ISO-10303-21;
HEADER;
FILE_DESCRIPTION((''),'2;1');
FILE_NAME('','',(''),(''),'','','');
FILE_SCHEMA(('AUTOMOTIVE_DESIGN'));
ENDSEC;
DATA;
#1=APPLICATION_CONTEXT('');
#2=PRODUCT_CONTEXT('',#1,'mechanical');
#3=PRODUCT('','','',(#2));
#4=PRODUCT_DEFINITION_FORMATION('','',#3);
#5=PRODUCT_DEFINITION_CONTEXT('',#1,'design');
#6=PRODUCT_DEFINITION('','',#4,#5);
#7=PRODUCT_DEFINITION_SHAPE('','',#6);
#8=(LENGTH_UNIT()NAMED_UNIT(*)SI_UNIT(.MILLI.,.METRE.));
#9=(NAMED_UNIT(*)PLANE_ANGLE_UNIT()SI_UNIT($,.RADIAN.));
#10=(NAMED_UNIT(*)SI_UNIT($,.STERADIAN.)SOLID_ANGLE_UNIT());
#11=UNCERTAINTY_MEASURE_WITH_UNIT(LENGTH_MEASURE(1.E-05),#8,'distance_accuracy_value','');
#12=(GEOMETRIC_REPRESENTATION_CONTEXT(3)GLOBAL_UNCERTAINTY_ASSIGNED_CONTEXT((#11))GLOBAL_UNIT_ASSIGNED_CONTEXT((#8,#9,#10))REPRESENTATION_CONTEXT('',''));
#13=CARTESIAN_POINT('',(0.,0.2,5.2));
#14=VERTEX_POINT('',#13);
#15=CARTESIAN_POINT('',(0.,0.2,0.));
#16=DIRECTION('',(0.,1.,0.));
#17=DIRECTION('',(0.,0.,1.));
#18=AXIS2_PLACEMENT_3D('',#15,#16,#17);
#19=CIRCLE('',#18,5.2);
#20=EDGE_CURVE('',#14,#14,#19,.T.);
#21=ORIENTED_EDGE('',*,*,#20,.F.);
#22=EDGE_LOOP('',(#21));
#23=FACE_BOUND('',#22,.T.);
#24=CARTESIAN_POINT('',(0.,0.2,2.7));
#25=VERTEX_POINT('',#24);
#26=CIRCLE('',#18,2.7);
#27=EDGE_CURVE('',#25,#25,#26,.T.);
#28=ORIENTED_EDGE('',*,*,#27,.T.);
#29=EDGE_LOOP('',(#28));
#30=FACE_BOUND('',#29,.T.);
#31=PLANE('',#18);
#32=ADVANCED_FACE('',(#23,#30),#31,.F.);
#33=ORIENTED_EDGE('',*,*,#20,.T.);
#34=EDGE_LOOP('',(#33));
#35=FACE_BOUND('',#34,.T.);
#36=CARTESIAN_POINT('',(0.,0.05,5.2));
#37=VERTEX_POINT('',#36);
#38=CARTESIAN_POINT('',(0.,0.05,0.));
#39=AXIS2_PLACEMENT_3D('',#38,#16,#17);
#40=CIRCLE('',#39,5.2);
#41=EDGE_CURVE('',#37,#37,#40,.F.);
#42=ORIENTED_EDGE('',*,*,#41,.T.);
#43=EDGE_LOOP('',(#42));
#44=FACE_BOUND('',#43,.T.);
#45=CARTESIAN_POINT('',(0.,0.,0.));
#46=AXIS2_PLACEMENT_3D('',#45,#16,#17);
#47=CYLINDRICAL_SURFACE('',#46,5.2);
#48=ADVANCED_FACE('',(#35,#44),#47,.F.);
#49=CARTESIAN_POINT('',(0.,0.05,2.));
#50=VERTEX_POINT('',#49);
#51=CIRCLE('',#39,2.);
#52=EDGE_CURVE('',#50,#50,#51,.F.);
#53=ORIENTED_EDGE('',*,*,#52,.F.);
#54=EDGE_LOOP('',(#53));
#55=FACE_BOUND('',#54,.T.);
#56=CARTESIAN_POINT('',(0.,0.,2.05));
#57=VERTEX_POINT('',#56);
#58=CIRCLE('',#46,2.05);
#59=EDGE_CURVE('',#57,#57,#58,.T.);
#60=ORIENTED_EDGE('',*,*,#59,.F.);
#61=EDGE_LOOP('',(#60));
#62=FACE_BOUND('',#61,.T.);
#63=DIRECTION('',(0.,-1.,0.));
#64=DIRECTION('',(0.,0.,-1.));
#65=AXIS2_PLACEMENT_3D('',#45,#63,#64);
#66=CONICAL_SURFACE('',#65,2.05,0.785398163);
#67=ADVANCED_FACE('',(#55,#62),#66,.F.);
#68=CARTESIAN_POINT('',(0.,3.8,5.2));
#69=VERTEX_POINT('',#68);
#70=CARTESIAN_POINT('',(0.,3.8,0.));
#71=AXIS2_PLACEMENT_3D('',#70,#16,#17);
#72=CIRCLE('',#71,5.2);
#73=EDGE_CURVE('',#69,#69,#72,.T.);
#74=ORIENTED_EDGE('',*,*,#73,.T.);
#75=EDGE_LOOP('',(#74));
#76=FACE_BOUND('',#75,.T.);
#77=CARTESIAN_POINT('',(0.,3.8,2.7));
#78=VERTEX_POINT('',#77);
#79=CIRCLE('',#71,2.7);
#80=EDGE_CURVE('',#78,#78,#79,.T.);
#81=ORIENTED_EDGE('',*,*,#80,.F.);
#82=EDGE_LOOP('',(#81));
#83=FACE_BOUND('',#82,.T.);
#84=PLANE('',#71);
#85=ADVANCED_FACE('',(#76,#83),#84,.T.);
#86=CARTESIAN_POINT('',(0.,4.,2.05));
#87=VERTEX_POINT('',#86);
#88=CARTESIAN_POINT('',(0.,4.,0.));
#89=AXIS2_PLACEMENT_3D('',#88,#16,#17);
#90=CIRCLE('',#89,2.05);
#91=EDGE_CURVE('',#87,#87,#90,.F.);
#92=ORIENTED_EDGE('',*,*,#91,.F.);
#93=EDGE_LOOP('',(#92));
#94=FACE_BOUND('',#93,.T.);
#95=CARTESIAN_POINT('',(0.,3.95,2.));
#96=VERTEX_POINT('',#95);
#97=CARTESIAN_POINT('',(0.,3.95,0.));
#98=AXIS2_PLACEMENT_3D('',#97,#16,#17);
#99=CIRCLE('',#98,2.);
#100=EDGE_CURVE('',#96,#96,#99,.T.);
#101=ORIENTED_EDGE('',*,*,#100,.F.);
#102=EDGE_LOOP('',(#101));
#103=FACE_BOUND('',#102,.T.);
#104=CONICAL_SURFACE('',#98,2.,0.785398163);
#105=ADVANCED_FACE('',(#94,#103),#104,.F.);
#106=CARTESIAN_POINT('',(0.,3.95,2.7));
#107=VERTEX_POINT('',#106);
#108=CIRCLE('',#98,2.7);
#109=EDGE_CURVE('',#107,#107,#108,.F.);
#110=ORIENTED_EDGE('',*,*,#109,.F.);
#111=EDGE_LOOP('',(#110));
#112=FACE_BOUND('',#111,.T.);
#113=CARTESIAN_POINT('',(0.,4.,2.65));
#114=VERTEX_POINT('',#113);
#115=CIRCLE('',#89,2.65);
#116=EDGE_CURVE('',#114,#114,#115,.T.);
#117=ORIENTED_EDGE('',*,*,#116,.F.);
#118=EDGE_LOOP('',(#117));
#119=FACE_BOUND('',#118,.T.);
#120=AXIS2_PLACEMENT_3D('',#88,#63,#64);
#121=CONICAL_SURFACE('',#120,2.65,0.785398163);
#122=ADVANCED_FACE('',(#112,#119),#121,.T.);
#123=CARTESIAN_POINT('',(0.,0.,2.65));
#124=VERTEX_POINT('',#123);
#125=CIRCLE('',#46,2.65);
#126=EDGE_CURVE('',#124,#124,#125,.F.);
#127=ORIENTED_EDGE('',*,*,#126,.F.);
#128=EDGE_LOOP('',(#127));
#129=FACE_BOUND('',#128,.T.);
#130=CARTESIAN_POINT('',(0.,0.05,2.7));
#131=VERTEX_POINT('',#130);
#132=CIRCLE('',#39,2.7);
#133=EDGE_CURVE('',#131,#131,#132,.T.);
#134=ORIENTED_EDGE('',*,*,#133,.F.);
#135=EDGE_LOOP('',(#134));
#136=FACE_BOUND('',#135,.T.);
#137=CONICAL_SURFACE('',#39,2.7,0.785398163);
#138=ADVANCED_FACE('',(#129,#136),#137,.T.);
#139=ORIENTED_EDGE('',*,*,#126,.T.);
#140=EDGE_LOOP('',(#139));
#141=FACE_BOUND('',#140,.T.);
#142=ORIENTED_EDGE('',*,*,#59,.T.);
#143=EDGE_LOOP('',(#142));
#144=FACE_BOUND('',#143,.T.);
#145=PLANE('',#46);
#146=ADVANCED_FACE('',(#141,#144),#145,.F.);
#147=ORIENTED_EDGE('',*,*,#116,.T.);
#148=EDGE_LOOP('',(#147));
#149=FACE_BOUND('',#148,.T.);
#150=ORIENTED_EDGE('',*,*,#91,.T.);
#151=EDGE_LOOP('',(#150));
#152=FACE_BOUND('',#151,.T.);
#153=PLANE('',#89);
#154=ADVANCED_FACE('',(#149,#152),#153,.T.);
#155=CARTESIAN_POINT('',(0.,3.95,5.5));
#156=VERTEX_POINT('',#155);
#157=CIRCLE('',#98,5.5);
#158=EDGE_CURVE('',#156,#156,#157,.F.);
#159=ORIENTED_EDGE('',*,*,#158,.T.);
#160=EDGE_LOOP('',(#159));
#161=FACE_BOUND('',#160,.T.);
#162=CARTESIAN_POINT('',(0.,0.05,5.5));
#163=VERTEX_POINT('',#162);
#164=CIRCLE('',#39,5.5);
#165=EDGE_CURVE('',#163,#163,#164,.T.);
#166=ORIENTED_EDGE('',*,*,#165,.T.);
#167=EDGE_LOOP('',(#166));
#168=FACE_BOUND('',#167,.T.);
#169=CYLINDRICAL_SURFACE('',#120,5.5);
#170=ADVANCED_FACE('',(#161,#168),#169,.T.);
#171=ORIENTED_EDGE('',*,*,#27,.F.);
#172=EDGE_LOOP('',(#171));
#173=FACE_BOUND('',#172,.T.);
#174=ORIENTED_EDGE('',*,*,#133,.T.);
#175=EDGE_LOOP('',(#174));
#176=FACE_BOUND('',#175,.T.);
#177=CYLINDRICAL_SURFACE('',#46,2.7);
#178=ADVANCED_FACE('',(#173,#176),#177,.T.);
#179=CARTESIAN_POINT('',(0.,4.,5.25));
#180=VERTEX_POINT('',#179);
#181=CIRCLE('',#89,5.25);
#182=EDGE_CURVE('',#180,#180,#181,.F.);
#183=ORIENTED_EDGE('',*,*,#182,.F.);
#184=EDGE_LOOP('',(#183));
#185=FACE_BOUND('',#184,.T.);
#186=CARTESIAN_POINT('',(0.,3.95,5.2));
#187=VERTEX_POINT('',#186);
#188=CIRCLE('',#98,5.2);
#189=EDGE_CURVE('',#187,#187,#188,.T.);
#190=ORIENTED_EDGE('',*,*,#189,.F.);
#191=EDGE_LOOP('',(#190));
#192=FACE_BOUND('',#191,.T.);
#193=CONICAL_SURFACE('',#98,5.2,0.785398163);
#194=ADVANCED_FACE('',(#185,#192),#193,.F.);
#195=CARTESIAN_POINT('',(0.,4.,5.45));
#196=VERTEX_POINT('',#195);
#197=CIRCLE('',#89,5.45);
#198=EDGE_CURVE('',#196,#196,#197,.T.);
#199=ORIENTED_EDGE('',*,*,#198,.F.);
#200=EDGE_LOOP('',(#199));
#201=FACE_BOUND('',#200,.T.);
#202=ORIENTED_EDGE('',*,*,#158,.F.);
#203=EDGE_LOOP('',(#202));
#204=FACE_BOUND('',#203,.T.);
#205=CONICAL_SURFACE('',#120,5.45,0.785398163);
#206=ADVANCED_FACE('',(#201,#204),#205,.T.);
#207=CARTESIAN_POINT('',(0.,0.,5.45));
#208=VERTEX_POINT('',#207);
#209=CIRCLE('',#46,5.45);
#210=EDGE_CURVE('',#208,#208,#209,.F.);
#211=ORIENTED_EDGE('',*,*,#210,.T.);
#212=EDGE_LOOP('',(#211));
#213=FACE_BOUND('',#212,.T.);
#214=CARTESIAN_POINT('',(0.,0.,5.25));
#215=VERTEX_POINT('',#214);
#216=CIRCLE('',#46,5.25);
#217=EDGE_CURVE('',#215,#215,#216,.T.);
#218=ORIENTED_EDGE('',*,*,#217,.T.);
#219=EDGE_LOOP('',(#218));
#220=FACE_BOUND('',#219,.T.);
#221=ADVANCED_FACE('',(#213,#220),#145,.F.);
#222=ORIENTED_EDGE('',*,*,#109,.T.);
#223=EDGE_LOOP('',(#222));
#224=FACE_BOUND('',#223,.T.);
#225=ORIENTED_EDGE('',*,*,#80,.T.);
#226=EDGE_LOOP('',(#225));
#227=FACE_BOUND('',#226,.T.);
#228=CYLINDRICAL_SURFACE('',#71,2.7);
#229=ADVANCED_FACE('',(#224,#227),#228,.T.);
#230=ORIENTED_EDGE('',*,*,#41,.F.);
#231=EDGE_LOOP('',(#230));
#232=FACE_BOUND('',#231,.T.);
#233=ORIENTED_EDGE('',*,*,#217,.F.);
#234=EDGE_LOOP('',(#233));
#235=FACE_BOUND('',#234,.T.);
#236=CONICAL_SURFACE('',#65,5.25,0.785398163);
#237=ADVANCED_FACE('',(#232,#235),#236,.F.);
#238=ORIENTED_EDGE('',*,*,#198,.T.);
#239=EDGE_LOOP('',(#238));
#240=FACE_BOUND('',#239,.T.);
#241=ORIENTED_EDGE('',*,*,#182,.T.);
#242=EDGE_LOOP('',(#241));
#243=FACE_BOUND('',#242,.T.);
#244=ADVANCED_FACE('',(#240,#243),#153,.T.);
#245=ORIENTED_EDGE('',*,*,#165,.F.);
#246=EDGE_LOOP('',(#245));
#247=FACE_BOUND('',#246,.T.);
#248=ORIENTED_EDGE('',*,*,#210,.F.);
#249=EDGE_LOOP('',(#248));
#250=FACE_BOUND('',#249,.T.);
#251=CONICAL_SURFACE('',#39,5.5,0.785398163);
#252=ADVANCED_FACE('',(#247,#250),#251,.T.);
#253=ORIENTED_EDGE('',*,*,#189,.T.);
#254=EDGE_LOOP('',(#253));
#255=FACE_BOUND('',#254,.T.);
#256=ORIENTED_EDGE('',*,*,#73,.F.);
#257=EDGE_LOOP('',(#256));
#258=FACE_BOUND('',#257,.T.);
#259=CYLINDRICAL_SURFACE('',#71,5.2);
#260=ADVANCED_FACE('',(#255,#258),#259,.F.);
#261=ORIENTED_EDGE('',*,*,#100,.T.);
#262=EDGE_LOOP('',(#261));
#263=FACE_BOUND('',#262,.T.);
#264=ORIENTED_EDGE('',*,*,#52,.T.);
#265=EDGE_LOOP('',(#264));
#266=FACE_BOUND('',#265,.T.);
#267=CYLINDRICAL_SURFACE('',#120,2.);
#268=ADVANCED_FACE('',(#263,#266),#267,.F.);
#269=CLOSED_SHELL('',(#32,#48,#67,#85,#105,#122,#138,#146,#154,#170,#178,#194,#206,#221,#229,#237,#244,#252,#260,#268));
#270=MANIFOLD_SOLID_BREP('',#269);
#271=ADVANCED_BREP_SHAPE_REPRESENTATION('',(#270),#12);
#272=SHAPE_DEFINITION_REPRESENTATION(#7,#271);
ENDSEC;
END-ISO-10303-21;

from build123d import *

# Parameters (mm, degrees)
SKETCH_1_R          = 5.5
SKETCH_1_R_2        = 2
EXTRUDE_1_DEPTH     = 4
SKETCH_2_R          = 5.2
SKETCH_2_R_2        = 2.7
CUT_EXTRUDE_1_DEPTH = 0.2
CUT_EXTRUDE_START   = -3.8
SKETCH_2_2_R        = 5.2
SKETCH_2_2_R_2      = 2.7
CUT_EXTRUDE_2_DEPTH = 5.946427842
CHAMFER_1_SIZE      = 0.05


with BuildPart() as part:
    # Эскиз1 → Бобышка-Вытянуть1 (new body)
    with BuildSketch(Plane(origin=(0, 0, 0), x_dir=(1, 0, 0), z_dir=(0, 1, 0))):
        Circle(SKETCH_1_R)
        Circle(SKETCH_1_R_2, mode=Mode.SUBTRACT)
    extrude(amount=EXTRUDE_1_DEPTH)

    # Эскиз2 → Вырез-Вытянуть1 (cut)
    with BuildSketch(Plane(origin=(0, 4, 0), x_dir=(1, 0, 0), z_dir=(0, 1, 0))):
        Circle(SKETCH_2_R)
        Circle(SKETCH_2_R_2, mode=Mode.SUBTRACT)
    extrude(amount=-CUT_EXTRUDE_1_DEPTH, mode=Mode.SUBTRACT)

    # Эскиз2<2> → Вырез-Вытянуть2 (cut, through all)
    with BuildSketch(Plane(origin=(0, 4, 0), x_dir=(1, 0, 0), z_dir=(0, 1, 0)).offset(CUT_EXTRUDE_START)):
        Circle(SKETCH_2_2_R)
        Circle(SKETCH_2_2_R_2, mode=Mode.SUBTRACT)
    extrude(amount=-CUT_EXTRUDE_2_DEPTH, mode=Mode.SUBTRACT)

    # Фаска1
    chamfer_1_edges = [part.edges().sort_by_distance(p)[0] for p in [
        (-2.7, 0, 0),
        (-2, 0, 0),
        (-5.5, 0, 0),
        (-5.2, 0, 0),
        (-2.7, 4, 0),
        (-2, 4, 0),
        (-5.5, 4, 0),
        (-5.2, 4, 0),
    ]]
    chamfer(chamfer_1_edges, length=CHAMFER_1_SIZE)


solid = part.part
